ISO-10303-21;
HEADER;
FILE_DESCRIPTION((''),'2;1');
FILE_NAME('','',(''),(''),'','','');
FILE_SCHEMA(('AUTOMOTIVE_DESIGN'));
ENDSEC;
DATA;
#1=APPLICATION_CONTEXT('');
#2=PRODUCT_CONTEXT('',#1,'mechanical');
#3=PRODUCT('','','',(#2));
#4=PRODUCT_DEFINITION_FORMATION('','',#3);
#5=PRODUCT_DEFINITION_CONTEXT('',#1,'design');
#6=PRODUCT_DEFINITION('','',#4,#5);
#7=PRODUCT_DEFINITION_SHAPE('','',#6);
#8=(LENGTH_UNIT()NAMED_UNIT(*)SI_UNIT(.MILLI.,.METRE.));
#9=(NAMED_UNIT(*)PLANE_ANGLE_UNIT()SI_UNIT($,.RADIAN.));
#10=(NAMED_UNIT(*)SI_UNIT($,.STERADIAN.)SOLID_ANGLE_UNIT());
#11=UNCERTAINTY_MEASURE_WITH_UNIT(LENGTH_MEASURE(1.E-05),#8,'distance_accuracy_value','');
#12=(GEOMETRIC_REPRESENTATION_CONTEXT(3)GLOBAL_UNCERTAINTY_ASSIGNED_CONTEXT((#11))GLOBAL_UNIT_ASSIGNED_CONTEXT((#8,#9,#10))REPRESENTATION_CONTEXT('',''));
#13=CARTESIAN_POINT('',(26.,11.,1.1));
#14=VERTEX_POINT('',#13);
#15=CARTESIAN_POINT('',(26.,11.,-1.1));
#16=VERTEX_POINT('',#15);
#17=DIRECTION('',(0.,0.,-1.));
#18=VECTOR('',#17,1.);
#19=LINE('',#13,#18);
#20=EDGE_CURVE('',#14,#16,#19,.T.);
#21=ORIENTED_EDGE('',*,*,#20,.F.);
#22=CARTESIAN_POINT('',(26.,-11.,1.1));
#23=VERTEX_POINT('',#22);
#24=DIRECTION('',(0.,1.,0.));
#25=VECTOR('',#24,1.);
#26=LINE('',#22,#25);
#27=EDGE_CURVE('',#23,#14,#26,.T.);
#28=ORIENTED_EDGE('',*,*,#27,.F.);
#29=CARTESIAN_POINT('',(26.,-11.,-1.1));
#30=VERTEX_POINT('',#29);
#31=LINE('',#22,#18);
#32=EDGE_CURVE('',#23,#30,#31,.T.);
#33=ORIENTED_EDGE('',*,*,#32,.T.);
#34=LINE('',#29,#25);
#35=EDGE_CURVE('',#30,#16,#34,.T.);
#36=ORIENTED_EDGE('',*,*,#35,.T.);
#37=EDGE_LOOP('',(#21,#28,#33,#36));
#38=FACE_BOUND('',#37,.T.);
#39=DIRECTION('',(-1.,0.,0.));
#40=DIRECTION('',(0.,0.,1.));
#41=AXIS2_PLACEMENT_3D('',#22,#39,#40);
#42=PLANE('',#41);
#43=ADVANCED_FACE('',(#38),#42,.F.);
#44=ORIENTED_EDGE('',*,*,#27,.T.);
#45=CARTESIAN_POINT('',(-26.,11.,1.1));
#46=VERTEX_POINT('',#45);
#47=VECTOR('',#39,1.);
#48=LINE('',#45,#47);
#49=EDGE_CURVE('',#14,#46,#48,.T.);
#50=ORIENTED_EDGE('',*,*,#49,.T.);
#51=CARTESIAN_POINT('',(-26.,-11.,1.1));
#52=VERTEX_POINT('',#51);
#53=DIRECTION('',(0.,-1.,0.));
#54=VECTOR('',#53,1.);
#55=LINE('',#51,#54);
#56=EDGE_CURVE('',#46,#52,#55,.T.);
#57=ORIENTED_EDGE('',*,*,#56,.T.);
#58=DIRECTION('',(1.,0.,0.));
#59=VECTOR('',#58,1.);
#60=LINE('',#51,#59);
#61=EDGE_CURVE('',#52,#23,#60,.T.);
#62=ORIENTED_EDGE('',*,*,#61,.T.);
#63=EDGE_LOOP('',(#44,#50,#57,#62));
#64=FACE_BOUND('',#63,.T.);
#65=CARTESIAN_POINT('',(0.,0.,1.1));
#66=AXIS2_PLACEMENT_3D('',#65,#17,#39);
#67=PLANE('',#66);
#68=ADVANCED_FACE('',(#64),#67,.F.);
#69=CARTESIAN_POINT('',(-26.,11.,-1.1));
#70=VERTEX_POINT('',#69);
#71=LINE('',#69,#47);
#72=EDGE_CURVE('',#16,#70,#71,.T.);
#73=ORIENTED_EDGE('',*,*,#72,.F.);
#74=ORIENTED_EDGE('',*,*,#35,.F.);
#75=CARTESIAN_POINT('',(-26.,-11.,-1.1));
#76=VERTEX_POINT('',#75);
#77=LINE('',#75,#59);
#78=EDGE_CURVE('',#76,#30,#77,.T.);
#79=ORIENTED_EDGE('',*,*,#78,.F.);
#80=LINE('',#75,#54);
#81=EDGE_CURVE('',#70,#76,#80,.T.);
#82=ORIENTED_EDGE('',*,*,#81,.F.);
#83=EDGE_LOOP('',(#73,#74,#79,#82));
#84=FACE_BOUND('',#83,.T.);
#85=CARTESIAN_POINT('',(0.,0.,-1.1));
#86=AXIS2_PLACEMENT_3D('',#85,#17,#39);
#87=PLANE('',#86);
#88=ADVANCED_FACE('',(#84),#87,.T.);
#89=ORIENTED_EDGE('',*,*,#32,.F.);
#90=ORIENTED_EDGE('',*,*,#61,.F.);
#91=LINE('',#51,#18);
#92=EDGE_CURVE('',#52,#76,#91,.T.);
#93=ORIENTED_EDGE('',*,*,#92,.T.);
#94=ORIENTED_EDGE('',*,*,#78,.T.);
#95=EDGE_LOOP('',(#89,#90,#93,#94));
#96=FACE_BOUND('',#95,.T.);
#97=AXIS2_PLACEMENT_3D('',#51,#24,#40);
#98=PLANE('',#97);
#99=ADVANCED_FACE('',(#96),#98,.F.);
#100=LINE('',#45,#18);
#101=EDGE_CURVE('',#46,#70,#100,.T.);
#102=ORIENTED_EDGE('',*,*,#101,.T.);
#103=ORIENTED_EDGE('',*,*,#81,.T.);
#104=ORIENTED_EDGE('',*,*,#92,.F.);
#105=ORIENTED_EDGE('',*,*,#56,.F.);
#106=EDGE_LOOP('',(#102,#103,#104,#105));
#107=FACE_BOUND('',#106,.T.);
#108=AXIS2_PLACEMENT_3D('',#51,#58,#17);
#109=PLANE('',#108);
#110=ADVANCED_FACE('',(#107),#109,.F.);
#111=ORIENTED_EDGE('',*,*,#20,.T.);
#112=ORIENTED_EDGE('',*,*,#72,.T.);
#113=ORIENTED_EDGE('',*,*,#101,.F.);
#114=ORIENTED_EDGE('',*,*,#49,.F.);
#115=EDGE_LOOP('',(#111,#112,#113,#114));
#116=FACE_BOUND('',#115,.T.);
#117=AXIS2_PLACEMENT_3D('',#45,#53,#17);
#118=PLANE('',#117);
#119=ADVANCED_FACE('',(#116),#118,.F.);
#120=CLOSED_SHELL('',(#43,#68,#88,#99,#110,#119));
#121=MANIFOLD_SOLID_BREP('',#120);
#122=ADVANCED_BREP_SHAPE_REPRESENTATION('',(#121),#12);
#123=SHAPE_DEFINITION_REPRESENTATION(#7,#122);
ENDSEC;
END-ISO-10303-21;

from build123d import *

# Parameters (mm, degrees)
CROQUIS1_W              = 52
CROQUIS1_H              = 22
SALIENTE_EXTRUIR1_DEPTH = 1.1


with BuildPart() as part:
    # Croquis1 → Saliente-Extruir1 (new, symmetric)
    with BuildSketch(Plane.XY):
        Rectangle(CROQUIS1_W, CROQUIS1_H)
    extrude(amount=SALIENTE_EXTRUIR1_DEPTH, both=True)


solid = part.part
